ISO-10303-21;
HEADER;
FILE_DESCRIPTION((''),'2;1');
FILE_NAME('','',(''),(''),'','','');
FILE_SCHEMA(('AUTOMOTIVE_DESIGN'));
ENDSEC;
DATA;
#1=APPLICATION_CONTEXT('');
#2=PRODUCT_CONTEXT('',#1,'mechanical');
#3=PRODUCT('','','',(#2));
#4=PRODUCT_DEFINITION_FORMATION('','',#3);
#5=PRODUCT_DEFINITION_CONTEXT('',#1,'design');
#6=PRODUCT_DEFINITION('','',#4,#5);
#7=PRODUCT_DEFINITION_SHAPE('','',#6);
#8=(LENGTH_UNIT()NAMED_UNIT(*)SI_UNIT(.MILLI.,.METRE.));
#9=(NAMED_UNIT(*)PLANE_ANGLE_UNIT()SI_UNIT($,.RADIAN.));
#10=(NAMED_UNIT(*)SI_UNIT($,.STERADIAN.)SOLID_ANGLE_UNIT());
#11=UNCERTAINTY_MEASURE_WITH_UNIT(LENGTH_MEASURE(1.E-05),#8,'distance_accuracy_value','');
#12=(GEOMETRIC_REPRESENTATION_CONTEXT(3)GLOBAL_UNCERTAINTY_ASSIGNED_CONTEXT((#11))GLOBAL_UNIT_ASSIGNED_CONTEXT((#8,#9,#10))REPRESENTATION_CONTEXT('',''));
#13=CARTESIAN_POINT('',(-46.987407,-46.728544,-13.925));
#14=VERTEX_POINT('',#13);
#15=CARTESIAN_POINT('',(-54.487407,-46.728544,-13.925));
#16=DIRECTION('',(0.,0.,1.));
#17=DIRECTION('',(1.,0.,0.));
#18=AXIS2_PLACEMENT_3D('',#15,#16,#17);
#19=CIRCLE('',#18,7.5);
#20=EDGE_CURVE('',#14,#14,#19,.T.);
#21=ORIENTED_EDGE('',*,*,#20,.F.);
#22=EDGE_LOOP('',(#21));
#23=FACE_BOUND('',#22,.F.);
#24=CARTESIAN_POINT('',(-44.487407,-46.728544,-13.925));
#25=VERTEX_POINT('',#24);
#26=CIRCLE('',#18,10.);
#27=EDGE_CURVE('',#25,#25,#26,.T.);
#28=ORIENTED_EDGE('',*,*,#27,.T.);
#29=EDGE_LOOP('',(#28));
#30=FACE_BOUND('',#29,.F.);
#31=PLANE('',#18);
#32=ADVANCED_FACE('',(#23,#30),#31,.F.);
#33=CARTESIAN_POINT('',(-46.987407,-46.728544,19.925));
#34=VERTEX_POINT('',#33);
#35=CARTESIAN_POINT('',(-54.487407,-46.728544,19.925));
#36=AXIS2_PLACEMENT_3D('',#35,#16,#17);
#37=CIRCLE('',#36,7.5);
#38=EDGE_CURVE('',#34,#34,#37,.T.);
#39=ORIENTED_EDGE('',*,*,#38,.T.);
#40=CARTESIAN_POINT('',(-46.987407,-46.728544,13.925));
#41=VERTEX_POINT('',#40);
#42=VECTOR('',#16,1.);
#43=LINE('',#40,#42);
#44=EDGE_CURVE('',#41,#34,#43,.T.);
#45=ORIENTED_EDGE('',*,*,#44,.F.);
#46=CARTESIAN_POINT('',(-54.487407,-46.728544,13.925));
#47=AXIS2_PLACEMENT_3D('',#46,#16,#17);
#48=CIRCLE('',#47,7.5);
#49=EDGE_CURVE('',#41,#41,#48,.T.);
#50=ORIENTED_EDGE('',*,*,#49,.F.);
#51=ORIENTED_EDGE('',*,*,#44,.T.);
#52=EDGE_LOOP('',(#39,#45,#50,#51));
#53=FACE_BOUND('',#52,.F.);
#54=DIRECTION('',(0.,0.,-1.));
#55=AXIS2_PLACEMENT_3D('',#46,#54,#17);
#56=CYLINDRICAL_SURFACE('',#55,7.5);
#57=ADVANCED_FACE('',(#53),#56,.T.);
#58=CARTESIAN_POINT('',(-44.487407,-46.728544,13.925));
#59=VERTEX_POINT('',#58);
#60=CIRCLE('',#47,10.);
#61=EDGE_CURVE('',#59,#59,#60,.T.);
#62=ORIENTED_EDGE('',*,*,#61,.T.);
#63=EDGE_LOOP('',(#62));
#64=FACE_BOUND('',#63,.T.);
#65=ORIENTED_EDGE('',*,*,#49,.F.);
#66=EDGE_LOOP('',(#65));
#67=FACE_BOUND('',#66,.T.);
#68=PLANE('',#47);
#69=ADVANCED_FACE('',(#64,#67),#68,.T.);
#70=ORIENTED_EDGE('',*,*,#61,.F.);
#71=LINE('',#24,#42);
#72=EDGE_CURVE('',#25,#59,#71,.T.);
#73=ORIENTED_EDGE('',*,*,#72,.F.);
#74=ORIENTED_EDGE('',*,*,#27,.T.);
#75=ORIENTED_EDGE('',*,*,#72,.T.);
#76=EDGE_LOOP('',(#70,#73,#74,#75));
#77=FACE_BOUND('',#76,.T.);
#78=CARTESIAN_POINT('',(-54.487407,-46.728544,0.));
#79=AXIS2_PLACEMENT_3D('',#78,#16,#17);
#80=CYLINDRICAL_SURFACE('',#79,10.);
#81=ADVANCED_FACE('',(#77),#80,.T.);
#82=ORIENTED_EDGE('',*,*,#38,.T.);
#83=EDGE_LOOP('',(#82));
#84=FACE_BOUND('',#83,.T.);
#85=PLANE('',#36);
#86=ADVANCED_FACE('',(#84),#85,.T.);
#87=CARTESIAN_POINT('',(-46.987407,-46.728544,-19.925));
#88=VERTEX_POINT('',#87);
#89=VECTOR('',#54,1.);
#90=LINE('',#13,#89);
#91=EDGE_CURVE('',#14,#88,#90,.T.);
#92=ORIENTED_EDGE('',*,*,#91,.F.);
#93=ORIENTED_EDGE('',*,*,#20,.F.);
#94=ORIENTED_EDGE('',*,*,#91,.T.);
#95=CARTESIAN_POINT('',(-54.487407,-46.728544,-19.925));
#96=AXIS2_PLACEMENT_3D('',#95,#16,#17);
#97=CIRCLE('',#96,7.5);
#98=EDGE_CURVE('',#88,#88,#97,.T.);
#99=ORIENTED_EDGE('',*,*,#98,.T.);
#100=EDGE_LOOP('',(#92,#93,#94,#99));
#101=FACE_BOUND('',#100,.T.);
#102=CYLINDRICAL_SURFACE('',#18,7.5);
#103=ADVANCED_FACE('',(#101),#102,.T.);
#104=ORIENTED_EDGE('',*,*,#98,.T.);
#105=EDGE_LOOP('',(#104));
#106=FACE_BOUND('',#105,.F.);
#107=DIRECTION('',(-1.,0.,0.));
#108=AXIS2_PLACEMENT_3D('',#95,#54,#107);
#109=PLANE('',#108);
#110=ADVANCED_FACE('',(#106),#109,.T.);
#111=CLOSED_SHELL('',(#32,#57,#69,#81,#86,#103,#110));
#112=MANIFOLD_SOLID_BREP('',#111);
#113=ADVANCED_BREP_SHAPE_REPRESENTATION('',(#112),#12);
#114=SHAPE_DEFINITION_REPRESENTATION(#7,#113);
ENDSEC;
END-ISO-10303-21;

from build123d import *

# Parameters (mm, degrees)
F0_R     = 10
F1_DEPTH = 13.925
F2_R     = 7.5
F3_DEPTH = 6


with BuildPart() as f1:
    # F0 (on Top) → F1 (new body, symmetric)
    with BuildSketch(Plane.XY):
        with Locations((-54.4874072075, -46.7285439372)):
            Circle(F0_R)
    extrude(amount=F1_DEPTH, both=True)

    # F2 (on face) → F3 (join)
    with BuildSketch(Plane.XY.offset(13.925)):
        with Locations((-54.4874072075, -46.7285439372)):
            Circle(F2_R)
    extrude(amount=F3_DEPTH)

    # F4: F1 across plane


with BuildPart() as f1_1:
    add(f1.part)
    add(f1.part.mirror(Plane.XY))


solid = f1_1.part
